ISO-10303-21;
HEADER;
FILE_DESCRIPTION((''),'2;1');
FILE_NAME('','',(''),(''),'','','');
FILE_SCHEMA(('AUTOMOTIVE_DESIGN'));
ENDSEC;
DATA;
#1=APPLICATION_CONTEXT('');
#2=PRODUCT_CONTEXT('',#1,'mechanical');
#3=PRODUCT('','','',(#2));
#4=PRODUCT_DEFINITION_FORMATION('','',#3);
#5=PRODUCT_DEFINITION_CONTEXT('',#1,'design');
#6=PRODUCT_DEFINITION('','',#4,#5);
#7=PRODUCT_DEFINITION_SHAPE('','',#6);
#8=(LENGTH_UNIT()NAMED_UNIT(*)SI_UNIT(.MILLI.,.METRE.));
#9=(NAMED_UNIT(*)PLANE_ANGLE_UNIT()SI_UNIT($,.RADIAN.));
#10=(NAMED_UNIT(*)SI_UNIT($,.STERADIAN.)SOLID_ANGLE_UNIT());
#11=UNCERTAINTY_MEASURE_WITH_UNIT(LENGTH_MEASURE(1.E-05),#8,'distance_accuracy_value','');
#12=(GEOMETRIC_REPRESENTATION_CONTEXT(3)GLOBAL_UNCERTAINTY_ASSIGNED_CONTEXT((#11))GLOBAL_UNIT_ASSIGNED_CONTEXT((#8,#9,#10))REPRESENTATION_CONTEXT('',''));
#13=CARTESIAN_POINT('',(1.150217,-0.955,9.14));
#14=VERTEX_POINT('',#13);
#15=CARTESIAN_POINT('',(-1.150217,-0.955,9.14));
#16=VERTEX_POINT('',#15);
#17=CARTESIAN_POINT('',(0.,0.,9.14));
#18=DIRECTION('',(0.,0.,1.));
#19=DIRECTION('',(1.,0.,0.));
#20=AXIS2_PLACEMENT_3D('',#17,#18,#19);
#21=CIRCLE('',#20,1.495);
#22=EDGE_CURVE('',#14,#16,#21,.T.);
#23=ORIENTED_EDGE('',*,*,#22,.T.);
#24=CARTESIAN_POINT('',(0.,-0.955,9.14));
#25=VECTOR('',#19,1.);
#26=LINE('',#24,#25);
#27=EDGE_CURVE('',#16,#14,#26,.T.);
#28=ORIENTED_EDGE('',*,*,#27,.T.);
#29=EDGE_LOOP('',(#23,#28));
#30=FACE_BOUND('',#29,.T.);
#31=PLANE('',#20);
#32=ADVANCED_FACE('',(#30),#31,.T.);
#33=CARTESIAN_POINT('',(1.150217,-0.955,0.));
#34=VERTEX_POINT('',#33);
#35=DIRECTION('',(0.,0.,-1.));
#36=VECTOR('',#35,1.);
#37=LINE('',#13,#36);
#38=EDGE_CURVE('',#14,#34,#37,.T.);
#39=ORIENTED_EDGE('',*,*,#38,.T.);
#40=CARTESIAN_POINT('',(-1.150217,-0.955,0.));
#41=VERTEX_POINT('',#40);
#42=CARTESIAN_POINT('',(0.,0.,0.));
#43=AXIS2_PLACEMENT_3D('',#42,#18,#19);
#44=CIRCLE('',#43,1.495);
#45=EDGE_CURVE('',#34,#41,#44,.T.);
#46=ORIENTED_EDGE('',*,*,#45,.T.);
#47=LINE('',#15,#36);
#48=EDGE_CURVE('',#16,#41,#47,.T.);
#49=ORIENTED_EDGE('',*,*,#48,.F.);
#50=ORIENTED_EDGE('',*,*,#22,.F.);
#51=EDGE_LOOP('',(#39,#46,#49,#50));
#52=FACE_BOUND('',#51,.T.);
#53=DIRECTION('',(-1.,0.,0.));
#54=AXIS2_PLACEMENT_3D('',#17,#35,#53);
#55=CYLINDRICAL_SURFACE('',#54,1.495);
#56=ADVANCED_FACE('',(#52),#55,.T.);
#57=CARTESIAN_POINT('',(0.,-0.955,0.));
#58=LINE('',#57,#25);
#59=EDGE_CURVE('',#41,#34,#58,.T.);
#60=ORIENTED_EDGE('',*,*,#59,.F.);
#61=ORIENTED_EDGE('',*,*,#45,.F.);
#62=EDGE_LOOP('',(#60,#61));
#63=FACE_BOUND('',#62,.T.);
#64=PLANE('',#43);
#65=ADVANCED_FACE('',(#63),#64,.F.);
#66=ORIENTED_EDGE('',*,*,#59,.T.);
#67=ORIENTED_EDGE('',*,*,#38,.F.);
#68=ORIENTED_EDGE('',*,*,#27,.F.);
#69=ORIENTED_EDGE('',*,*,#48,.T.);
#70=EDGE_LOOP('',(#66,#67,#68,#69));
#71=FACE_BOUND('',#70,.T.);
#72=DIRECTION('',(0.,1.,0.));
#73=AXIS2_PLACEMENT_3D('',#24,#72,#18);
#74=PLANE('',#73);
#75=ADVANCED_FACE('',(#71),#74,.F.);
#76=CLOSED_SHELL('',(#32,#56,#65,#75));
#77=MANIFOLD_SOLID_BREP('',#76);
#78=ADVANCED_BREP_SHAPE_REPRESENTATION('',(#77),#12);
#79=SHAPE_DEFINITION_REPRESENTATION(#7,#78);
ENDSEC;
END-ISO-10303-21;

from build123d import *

# Parameters (mm, degrees)
BOSS_EXTRU_1_DEPTH = 9.14


with BuildPart() as part:
    # Esquisse1 → Boss.-Extru.1 (new body)
    with BuildSketch(Plane.XY):
        with BuildLine():
            Line((0, -0.955), (1.150217371, -0.955))
            ThreePointArc((1.150217371, -0.955), (0, 1.495), (-1.150217371, -0.955))
            Line((-1.150217371, -0.955), (0, -0.955))
        make_face()
    extrude(amount=BOSS_EXTRU_1_DEPTH)


solid = part.part
